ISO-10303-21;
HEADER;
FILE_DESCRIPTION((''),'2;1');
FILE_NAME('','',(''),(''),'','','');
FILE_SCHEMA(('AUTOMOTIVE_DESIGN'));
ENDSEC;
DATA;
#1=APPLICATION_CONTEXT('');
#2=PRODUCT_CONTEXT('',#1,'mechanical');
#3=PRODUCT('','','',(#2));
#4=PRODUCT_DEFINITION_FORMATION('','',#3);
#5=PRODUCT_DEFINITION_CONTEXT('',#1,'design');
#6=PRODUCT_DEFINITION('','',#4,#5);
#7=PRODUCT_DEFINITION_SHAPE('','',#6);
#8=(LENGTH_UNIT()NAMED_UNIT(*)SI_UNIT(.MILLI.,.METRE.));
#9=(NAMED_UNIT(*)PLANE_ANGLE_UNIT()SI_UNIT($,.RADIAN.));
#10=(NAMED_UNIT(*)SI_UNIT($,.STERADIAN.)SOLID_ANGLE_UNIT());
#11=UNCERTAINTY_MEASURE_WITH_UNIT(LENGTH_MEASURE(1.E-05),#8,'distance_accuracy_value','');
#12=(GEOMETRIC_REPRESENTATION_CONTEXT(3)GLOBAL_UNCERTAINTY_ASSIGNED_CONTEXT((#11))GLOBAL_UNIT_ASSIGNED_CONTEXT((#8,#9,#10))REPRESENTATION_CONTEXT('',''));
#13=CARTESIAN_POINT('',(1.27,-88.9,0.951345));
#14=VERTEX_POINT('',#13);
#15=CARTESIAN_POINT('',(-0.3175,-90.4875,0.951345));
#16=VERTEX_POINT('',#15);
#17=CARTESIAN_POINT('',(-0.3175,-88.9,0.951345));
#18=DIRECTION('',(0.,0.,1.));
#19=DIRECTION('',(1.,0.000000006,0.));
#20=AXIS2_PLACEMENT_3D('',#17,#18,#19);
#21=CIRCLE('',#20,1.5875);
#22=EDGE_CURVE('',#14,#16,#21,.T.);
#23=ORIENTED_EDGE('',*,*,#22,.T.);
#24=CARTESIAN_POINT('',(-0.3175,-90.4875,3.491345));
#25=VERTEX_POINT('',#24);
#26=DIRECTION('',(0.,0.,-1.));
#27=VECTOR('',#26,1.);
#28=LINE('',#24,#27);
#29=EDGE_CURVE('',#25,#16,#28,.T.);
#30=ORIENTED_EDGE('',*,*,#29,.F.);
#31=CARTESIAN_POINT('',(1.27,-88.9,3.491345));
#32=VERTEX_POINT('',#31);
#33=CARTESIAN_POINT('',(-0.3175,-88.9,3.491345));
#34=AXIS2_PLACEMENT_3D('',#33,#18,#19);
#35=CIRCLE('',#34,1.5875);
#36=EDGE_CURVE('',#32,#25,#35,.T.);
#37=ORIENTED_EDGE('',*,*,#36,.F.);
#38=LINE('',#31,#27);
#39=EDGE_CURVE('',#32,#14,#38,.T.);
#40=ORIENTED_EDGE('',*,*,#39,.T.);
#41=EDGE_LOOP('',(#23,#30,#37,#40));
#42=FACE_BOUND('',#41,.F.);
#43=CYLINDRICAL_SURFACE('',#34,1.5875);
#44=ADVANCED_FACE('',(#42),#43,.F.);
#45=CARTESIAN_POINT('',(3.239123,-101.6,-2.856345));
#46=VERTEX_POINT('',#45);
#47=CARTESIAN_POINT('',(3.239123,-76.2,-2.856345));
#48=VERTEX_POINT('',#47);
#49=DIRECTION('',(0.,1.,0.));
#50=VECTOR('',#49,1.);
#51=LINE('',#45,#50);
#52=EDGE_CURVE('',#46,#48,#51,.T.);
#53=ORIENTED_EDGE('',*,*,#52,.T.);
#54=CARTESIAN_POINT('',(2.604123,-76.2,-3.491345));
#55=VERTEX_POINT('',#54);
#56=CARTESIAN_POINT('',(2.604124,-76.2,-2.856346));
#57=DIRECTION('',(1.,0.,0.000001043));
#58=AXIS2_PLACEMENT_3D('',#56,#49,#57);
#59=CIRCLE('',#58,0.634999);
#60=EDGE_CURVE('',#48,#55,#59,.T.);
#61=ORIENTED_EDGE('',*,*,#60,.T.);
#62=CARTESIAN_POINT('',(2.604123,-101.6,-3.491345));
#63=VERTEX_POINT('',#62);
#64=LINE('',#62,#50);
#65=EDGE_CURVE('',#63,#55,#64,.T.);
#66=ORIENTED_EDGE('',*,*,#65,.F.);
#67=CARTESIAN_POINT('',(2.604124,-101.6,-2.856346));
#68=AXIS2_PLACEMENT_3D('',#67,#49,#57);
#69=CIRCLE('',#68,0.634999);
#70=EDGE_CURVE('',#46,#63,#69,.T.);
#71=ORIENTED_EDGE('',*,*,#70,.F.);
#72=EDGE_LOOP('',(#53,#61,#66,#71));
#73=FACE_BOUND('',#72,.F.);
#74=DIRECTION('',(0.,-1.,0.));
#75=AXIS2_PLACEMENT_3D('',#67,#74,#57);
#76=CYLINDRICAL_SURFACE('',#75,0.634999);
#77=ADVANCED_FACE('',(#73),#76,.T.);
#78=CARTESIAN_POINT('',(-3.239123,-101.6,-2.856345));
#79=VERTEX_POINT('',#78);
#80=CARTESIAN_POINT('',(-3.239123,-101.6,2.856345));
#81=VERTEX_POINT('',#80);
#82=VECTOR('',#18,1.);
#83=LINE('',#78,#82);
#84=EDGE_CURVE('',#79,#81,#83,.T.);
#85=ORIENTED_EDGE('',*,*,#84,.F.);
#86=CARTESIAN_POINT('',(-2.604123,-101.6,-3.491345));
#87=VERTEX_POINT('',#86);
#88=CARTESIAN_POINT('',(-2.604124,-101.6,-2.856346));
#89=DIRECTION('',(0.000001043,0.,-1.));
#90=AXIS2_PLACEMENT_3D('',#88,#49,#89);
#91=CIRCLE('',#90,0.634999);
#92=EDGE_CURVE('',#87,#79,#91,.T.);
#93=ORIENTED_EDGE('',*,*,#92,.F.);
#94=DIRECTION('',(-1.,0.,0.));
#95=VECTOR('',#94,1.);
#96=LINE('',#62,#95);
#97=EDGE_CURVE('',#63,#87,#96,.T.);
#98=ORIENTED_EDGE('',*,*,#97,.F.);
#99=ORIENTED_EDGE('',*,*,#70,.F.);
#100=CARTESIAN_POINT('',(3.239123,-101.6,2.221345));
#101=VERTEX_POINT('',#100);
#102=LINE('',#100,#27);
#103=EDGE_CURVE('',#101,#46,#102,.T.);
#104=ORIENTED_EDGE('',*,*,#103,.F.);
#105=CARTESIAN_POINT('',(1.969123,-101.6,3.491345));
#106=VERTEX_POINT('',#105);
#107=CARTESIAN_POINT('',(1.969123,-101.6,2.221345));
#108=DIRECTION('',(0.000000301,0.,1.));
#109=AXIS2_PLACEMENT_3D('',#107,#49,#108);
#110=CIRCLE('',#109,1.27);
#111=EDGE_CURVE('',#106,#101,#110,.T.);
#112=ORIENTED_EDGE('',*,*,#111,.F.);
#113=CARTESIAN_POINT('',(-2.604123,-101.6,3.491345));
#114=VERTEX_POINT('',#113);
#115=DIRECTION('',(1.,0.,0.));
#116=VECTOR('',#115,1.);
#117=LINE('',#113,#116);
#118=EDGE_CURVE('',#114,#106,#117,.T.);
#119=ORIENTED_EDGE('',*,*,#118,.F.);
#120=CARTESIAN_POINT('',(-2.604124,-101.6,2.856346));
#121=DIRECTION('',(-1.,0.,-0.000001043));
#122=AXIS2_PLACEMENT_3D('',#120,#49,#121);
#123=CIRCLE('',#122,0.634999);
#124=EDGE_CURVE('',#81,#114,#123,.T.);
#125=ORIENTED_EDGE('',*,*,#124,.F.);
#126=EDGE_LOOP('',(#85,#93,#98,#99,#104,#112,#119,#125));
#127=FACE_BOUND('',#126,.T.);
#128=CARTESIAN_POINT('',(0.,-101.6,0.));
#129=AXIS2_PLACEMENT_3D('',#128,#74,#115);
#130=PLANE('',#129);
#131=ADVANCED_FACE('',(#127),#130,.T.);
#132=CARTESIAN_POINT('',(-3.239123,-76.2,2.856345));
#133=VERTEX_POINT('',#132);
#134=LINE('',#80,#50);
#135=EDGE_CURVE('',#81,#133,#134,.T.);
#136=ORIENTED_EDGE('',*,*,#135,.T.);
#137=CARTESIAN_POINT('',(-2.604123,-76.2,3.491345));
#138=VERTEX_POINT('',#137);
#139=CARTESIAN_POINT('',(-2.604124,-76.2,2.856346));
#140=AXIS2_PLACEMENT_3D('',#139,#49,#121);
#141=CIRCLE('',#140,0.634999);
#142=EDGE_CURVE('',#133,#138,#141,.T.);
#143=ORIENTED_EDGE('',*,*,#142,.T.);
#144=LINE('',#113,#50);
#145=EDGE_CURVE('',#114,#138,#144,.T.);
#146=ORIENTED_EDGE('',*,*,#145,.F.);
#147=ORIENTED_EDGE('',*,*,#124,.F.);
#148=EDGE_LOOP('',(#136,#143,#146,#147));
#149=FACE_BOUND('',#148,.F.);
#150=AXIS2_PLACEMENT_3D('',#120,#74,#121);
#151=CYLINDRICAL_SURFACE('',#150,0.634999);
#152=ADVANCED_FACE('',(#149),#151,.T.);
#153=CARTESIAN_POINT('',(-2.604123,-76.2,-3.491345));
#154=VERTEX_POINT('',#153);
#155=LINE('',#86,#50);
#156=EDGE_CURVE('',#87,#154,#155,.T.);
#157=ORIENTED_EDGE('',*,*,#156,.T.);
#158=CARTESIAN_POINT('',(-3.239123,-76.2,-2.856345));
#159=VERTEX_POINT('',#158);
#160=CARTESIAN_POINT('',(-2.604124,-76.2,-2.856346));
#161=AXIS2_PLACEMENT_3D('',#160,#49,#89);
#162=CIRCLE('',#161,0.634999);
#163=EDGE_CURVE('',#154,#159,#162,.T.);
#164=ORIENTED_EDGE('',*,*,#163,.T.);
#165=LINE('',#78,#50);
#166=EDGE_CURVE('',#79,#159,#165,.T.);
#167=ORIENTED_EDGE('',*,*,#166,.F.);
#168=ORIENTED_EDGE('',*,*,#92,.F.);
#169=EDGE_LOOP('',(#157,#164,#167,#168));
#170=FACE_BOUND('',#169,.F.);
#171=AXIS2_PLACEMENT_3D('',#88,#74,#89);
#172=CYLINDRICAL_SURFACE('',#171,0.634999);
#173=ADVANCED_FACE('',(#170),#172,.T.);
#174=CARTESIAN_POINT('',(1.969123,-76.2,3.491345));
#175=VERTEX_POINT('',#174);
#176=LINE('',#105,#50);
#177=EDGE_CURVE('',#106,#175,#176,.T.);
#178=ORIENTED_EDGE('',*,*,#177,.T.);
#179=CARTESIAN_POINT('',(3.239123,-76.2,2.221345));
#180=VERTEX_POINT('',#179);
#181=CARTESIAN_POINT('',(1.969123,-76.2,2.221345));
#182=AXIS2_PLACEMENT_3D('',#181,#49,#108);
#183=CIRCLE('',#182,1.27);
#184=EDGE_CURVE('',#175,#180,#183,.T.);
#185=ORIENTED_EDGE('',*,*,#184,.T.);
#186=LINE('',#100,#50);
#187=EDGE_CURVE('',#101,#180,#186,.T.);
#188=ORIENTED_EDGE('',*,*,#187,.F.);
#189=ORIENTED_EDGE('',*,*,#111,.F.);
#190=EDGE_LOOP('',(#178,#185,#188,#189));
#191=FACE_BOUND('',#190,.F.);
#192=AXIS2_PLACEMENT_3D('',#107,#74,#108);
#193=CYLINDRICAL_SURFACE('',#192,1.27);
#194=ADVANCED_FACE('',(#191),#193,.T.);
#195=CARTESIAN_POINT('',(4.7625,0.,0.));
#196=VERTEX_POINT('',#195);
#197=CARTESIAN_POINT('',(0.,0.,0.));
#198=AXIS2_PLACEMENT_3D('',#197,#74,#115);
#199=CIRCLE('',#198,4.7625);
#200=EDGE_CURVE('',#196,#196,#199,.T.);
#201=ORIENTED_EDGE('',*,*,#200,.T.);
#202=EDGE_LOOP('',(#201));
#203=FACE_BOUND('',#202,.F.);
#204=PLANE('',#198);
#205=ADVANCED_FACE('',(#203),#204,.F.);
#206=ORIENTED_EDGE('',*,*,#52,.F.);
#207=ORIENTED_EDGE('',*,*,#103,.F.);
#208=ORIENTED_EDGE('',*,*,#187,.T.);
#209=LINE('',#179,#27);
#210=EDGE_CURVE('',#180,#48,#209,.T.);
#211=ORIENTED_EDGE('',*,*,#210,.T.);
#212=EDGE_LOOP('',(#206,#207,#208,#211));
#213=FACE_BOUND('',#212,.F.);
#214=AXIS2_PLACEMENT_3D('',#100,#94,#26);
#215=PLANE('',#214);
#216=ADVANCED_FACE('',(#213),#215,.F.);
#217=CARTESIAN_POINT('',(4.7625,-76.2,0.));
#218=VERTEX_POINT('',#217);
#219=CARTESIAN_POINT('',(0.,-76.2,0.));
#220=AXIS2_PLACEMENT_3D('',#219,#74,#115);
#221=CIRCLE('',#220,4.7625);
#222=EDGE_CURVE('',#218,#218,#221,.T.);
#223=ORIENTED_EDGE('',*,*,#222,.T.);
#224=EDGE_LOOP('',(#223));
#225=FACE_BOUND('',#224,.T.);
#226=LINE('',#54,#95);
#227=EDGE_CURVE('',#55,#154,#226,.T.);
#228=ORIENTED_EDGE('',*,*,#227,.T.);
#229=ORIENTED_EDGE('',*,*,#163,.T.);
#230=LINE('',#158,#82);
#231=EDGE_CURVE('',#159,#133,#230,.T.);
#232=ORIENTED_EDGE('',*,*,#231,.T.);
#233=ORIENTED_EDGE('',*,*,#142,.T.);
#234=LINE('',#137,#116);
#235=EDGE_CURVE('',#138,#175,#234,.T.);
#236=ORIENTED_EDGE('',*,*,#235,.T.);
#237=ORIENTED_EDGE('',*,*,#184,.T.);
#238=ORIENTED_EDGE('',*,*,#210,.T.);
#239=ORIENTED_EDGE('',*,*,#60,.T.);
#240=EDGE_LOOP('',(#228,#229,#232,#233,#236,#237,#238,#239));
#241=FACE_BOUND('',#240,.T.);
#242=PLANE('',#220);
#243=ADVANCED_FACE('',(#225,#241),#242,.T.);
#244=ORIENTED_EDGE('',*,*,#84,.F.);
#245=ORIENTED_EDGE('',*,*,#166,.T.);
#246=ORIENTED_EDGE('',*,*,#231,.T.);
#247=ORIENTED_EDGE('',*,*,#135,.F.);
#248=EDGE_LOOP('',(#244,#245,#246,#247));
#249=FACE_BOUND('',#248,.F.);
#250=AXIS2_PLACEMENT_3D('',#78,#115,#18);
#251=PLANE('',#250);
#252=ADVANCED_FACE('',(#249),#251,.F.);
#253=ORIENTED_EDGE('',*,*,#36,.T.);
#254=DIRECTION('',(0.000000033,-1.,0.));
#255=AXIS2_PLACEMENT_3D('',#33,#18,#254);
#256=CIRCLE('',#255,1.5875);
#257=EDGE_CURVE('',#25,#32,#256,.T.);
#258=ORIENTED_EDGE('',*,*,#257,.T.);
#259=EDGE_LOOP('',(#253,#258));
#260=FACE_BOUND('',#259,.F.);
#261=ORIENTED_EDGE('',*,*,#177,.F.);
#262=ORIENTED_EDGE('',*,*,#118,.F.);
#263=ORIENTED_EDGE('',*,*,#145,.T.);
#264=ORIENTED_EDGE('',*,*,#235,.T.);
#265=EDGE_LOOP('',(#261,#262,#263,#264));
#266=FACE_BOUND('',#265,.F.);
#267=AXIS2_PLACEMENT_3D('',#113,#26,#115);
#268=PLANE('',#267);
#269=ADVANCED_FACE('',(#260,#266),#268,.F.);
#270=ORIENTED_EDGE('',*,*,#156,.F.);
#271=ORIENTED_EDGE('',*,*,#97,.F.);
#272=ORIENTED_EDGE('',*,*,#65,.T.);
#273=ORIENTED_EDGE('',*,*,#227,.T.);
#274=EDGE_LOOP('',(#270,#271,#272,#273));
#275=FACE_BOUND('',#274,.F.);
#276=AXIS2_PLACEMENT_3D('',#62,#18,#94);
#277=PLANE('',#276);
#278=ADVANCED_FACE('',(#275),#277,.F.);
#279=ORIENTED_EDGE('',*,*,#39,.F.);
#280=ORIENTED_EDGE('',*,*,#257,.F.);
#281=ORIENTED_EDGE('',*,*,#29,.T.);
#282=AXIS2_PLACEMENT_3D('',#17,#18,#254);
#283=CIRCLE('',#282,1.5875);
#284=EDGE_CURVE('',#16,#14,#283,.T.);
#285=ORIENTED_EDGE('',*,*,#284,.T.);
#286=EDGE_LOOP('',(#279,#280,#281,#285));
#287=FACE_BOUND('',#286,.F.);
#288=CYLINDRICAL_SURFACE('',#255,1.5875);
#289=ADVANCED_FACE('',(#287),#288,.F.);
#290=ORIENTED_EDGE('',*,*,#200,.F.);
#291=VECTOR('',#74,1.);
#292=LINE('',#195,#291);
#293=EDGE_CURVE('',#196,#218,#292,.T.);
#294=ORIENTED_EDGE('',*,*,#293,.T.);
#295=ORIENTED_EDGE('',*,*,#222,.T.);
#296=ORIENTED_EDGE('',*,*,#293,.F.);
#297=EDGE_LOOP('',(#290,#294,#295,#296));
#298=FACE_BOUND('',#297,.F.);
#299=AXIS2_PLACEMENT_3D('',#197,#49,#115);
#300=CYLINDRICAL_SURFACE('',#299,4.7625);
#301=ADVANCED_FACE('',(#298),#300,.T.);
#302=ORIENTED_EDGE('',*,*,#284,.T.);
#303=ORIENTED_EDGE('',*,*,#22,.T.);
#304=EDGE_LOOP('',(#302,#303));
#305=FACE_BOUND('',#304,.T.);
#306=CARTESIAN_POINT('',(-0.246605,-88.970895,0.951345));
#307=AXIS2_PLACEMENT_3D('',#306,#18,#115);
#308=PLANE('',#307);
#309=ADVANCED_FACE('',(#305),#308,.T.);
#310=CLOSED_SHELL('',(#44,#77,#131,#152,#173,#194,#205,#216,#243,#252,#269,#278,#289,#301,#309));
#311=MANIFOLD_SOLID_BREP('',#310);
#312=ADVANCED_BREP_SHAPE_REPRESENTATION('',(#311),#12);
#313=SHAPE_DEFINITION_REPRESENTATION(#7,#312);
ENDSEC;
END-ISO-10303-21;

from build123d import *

# Parameters (mm, degrees)
F0_R     = 4.7625
F1_DEPTH = 101.6
F2_R     = 4.7625
F3_DEPTH = 25.4
F5_DEPTH = 2.54


with BuildPart() as f1:
    # F0 (on Front) → F1 (new body)
    with BuildSketch(Plane.XZ):
        Circle(F0_R)
    extrude(amount=F1_DEPTH)

    # F2 (on face) → F3 (cut)
    with BuildSketch(Plane.XZ.offset(101.6)):
        Circle(F2_R)
        with BuildLine():
            ThreePointArc((-3.239123, 2.856345), (-3.053136, 3.305358), (-2.604123, 3.491345))
            Line((-2.604123, 3.491345), (1.969123, 3.491345))
            ThreePointArc((1.969123, 3.491345), (2.867149, 3.11937), (3.239123, 2.221345))
            Line((3.239123, 2.221345), (3.239123, -2.856345))
            ThreePointArc((3.239123, -2.856345), (3.053136, -3.305358), (2.604123, -3.491345))
            Line((2.604123, -3.491345), (-2.604123, -3.491345))
            ThreePointArc((-2.604123, -3.491345), (-3.053136, -3.305358), (-3.239123, -2.856345))
            Line((-3.239123, -2.856345), (-3.239123, 2.856345))
        make_face(mode=Mode.SUBTRACT)
    extrude(amount=-F3_DEPTH, mode=Mode.SUBTRACT)

    # F4 (on face) → F5 (cut)
    with BuildSketch(Plane.XY.offset(3.491345)):
        with BuildLine():
            ThreePointArc((-0.3175, -90.4875), (0.805032, -90.022532), (1.27, -88.9))
            ThreePointArc((1.27, -88.9), (-1.440032, -87.777468), (-0.3175, -90.4875))
        make_face()
    extrude(amount=-F5_DEPTH, mode=Mode.SUBTRACT)


solid = f1.part
